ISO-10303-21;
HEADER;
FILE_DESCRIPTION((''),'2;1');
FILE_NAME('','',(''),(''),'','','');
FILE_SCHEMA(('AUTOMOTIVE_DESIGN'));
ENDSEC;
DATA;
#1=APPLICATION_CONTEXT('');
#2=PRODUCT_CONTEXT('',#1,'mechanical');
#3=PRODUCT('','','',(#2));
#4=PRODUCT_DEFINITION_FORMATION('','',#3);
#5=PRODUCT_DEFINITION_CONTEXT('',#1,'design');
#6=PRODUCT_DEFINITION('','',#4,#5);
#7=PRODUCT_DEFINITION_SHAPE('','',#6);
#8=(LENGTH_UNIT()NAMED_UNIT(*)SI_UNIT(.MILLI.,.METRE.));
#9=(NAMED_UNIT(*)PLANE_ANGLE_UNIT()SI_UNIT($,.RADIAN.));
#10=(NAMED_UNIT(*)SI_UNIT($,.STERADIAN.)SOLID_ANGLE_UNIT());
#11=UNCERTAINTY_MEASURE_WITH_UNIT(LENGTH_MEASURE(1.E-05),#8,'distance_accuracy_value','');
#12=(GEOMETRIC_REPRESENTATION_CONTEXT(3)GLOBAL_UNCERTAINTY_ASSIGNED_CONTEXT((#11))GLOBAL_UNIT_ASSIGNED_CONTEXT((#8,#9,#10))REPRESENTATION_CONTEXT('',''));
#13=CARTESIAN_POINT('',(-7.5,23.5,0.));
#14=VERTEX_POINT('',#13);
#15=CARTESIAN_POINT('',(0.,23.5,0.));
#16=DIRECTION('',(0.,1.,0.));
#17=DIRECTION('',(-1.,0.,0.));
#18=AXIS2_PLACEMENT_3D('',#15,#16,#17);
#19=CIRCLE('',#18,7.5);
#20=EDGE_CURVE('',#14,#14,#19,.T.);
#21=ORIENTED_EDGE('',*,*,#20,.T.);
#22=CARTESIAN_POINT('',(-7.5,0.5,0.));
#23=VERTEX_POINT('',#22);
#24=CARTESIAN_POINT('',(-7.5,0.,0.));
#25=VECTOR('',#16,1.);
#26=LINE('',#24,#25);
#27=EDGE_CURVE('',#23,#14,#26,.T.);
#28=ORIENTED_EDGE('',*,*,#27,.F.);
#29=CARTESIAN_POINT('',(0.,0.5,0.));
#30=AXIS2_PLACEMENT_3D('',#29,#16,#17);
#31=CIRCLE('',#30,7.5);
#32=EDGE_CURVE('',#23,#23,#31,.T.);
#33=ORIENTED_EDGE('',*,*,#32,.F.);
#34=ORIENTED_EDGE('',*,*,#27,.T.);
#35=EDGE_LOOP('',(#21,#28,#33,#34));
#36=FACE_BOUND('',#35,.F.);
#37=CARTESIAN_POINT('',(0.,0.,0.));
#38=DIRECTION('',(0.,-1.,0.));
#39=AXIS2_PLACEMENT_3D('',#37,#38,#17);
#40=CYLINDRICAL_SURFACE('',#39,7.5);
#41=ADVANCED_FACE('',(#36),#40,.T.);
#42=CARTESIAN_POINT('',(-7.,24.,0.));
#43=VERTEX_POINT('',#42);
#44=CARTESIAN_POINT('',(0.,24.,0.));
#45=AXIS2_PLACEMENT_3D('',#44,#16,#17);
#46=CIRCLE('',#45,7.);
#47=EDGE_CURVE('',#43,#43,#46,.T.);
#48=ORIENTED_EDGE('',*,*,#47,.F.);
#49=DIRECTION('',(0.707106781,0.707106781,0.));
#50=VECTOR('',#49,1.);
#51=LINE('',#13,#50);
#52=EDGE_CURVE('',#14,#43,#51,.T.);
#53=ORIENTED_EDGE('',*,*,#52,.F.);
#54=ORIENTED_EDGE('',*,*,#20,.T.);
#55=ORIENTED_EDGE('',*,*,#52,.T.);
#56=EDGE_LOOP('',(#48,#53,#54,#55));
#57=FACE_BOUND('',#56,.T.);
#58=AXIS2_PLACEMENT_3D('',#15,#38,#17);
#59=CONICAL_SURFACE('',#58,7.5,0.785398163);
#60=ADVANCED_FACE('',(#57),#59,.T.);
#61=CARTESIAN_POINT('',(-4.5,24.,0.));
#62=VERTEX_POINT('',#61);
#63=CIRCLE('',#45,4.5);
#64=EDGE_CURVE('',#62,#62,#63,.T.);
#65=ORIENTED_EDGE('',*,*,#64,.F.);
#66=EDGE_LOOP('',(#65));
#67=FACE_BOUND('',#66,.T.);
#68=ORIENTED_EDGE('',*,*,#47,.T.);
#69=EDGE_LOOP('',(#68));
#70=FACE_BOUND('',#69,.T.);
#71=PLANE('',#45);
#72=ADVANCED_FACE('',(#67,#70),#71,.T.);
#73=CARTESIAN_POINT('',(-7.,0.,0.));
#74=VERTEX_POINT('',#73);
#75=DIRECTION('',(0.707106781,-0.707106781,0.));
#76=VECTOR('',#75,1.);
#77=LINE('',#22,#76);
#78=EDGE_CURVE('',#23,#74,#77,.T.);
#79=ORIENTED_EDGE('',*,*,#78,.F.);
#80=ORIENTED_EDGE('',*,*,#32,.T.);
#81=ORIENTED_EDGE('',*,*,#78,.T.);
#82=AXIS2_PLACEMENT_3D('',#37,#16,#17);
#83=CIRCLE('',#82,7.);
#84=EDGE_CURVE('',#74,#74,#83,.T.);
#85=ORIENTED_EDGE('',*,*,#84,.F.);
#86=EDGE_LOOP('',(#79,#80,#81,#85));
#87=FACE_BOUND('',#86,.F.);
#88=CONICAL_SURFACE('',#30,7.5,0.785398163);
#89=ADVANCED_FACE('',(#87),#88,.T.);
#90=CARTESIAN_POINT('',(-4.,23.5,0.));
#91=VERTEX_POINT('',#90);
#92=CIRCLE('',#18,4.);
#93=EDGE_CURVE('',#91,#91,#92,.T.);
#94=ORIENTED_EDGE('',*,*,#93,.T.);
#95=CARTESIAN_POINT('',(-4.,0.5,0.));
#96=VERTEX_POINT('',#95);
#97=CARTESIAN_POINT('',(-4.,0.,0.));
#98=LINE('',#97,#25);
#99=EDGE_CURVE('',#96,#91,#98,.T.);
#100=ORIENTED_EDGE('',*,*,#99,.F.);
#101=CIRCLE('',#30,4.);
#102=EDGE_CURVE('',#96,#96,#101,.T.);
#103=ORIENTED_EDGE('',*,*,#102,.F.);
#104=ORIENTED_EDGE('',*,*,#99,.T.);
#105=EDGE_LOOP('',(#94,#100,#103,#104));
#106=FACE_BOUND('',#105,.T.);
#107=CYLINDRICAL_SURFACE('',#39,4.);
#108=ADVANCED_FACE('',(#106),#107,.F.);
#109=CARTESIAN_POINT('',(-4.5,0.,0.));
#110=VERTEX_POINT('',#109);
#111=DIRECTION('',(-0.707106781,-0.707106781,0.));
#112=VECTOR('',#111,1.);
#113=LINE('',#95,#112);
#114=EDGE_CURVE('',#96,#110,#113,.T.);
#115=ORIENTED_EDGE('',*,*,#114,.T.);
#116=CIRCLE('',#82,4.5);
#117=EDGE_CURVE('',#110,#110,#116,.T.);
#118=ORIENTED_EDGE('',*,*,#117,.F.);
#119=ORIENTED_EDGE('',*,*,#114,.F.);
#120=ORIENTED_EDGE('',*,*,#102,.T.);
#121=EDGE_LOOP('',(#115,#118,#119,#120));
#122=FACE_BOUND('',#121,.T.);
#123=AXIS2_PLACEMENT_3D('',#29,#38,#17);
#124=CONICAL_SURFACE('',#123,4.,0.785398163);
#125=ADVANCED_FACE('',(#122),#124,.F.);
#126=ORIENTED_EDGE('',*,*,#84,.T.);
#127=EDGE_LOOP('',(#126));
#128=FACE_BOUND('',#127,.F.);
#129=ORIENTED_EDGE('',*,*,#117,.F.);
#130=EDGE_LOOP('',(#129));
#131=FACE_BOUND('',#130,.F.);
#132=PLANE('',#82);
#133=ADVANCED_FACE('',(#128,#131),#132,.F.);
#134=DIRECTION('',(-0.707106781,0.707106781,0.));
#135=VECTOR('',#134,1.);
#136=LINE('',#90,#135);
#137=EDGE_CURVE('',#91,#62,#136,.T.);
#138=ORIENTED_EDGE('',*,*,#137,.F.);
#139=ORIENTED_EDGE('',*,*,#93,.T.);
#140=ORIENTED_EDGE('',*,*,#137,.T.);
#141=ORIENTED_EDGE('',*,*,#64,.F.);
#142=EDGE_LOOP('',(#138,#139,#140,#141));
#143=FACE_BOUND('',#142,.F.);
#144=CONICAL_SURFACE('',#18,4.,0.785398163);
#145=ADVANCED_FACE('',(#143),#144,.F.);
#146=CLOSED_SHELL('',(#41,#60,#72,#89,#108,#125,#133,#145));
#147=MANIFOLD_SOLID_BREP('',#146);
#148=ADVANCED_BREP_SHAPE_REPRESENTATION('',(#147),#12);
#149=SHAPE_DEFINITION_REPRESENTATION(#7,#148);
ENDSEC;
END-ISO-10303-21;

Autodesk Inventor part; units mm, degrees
ref_plane "YZ Plane" through (0, 0, 0) normal (1, 0, 0) x (0, 1, 0)
ref_plane "XZ Plane" through (0, 0, 0) normal (0, 1, 0) x (-1, 0, 0)
ref_plane "XY Plane" through (0, 0, 0) normal (0, 0, 1) x (1, 0, 0)
sketch "Sketch1" plane through (0, 0, 0) normal (0, 1, 0) x (-1, 0, 0)
  circle A0 centre (0, 0) radius 4
  circle A1 centre (0, 0) radius 7.5
  dimension "d0" = 8
  dimension "d1" = 15
extrude "Extrusion1" add sketch "Sketch1" along normal blind 24
chamfer "Chamfer1" distance 0.5 angle 45 4 edges at (7.5, 24, 0) (4, 24, 0) (7.5, 0, 0) (4, 0, 0)
properties part number "BearingLinearLMU8" material "Steel, Alloy"
